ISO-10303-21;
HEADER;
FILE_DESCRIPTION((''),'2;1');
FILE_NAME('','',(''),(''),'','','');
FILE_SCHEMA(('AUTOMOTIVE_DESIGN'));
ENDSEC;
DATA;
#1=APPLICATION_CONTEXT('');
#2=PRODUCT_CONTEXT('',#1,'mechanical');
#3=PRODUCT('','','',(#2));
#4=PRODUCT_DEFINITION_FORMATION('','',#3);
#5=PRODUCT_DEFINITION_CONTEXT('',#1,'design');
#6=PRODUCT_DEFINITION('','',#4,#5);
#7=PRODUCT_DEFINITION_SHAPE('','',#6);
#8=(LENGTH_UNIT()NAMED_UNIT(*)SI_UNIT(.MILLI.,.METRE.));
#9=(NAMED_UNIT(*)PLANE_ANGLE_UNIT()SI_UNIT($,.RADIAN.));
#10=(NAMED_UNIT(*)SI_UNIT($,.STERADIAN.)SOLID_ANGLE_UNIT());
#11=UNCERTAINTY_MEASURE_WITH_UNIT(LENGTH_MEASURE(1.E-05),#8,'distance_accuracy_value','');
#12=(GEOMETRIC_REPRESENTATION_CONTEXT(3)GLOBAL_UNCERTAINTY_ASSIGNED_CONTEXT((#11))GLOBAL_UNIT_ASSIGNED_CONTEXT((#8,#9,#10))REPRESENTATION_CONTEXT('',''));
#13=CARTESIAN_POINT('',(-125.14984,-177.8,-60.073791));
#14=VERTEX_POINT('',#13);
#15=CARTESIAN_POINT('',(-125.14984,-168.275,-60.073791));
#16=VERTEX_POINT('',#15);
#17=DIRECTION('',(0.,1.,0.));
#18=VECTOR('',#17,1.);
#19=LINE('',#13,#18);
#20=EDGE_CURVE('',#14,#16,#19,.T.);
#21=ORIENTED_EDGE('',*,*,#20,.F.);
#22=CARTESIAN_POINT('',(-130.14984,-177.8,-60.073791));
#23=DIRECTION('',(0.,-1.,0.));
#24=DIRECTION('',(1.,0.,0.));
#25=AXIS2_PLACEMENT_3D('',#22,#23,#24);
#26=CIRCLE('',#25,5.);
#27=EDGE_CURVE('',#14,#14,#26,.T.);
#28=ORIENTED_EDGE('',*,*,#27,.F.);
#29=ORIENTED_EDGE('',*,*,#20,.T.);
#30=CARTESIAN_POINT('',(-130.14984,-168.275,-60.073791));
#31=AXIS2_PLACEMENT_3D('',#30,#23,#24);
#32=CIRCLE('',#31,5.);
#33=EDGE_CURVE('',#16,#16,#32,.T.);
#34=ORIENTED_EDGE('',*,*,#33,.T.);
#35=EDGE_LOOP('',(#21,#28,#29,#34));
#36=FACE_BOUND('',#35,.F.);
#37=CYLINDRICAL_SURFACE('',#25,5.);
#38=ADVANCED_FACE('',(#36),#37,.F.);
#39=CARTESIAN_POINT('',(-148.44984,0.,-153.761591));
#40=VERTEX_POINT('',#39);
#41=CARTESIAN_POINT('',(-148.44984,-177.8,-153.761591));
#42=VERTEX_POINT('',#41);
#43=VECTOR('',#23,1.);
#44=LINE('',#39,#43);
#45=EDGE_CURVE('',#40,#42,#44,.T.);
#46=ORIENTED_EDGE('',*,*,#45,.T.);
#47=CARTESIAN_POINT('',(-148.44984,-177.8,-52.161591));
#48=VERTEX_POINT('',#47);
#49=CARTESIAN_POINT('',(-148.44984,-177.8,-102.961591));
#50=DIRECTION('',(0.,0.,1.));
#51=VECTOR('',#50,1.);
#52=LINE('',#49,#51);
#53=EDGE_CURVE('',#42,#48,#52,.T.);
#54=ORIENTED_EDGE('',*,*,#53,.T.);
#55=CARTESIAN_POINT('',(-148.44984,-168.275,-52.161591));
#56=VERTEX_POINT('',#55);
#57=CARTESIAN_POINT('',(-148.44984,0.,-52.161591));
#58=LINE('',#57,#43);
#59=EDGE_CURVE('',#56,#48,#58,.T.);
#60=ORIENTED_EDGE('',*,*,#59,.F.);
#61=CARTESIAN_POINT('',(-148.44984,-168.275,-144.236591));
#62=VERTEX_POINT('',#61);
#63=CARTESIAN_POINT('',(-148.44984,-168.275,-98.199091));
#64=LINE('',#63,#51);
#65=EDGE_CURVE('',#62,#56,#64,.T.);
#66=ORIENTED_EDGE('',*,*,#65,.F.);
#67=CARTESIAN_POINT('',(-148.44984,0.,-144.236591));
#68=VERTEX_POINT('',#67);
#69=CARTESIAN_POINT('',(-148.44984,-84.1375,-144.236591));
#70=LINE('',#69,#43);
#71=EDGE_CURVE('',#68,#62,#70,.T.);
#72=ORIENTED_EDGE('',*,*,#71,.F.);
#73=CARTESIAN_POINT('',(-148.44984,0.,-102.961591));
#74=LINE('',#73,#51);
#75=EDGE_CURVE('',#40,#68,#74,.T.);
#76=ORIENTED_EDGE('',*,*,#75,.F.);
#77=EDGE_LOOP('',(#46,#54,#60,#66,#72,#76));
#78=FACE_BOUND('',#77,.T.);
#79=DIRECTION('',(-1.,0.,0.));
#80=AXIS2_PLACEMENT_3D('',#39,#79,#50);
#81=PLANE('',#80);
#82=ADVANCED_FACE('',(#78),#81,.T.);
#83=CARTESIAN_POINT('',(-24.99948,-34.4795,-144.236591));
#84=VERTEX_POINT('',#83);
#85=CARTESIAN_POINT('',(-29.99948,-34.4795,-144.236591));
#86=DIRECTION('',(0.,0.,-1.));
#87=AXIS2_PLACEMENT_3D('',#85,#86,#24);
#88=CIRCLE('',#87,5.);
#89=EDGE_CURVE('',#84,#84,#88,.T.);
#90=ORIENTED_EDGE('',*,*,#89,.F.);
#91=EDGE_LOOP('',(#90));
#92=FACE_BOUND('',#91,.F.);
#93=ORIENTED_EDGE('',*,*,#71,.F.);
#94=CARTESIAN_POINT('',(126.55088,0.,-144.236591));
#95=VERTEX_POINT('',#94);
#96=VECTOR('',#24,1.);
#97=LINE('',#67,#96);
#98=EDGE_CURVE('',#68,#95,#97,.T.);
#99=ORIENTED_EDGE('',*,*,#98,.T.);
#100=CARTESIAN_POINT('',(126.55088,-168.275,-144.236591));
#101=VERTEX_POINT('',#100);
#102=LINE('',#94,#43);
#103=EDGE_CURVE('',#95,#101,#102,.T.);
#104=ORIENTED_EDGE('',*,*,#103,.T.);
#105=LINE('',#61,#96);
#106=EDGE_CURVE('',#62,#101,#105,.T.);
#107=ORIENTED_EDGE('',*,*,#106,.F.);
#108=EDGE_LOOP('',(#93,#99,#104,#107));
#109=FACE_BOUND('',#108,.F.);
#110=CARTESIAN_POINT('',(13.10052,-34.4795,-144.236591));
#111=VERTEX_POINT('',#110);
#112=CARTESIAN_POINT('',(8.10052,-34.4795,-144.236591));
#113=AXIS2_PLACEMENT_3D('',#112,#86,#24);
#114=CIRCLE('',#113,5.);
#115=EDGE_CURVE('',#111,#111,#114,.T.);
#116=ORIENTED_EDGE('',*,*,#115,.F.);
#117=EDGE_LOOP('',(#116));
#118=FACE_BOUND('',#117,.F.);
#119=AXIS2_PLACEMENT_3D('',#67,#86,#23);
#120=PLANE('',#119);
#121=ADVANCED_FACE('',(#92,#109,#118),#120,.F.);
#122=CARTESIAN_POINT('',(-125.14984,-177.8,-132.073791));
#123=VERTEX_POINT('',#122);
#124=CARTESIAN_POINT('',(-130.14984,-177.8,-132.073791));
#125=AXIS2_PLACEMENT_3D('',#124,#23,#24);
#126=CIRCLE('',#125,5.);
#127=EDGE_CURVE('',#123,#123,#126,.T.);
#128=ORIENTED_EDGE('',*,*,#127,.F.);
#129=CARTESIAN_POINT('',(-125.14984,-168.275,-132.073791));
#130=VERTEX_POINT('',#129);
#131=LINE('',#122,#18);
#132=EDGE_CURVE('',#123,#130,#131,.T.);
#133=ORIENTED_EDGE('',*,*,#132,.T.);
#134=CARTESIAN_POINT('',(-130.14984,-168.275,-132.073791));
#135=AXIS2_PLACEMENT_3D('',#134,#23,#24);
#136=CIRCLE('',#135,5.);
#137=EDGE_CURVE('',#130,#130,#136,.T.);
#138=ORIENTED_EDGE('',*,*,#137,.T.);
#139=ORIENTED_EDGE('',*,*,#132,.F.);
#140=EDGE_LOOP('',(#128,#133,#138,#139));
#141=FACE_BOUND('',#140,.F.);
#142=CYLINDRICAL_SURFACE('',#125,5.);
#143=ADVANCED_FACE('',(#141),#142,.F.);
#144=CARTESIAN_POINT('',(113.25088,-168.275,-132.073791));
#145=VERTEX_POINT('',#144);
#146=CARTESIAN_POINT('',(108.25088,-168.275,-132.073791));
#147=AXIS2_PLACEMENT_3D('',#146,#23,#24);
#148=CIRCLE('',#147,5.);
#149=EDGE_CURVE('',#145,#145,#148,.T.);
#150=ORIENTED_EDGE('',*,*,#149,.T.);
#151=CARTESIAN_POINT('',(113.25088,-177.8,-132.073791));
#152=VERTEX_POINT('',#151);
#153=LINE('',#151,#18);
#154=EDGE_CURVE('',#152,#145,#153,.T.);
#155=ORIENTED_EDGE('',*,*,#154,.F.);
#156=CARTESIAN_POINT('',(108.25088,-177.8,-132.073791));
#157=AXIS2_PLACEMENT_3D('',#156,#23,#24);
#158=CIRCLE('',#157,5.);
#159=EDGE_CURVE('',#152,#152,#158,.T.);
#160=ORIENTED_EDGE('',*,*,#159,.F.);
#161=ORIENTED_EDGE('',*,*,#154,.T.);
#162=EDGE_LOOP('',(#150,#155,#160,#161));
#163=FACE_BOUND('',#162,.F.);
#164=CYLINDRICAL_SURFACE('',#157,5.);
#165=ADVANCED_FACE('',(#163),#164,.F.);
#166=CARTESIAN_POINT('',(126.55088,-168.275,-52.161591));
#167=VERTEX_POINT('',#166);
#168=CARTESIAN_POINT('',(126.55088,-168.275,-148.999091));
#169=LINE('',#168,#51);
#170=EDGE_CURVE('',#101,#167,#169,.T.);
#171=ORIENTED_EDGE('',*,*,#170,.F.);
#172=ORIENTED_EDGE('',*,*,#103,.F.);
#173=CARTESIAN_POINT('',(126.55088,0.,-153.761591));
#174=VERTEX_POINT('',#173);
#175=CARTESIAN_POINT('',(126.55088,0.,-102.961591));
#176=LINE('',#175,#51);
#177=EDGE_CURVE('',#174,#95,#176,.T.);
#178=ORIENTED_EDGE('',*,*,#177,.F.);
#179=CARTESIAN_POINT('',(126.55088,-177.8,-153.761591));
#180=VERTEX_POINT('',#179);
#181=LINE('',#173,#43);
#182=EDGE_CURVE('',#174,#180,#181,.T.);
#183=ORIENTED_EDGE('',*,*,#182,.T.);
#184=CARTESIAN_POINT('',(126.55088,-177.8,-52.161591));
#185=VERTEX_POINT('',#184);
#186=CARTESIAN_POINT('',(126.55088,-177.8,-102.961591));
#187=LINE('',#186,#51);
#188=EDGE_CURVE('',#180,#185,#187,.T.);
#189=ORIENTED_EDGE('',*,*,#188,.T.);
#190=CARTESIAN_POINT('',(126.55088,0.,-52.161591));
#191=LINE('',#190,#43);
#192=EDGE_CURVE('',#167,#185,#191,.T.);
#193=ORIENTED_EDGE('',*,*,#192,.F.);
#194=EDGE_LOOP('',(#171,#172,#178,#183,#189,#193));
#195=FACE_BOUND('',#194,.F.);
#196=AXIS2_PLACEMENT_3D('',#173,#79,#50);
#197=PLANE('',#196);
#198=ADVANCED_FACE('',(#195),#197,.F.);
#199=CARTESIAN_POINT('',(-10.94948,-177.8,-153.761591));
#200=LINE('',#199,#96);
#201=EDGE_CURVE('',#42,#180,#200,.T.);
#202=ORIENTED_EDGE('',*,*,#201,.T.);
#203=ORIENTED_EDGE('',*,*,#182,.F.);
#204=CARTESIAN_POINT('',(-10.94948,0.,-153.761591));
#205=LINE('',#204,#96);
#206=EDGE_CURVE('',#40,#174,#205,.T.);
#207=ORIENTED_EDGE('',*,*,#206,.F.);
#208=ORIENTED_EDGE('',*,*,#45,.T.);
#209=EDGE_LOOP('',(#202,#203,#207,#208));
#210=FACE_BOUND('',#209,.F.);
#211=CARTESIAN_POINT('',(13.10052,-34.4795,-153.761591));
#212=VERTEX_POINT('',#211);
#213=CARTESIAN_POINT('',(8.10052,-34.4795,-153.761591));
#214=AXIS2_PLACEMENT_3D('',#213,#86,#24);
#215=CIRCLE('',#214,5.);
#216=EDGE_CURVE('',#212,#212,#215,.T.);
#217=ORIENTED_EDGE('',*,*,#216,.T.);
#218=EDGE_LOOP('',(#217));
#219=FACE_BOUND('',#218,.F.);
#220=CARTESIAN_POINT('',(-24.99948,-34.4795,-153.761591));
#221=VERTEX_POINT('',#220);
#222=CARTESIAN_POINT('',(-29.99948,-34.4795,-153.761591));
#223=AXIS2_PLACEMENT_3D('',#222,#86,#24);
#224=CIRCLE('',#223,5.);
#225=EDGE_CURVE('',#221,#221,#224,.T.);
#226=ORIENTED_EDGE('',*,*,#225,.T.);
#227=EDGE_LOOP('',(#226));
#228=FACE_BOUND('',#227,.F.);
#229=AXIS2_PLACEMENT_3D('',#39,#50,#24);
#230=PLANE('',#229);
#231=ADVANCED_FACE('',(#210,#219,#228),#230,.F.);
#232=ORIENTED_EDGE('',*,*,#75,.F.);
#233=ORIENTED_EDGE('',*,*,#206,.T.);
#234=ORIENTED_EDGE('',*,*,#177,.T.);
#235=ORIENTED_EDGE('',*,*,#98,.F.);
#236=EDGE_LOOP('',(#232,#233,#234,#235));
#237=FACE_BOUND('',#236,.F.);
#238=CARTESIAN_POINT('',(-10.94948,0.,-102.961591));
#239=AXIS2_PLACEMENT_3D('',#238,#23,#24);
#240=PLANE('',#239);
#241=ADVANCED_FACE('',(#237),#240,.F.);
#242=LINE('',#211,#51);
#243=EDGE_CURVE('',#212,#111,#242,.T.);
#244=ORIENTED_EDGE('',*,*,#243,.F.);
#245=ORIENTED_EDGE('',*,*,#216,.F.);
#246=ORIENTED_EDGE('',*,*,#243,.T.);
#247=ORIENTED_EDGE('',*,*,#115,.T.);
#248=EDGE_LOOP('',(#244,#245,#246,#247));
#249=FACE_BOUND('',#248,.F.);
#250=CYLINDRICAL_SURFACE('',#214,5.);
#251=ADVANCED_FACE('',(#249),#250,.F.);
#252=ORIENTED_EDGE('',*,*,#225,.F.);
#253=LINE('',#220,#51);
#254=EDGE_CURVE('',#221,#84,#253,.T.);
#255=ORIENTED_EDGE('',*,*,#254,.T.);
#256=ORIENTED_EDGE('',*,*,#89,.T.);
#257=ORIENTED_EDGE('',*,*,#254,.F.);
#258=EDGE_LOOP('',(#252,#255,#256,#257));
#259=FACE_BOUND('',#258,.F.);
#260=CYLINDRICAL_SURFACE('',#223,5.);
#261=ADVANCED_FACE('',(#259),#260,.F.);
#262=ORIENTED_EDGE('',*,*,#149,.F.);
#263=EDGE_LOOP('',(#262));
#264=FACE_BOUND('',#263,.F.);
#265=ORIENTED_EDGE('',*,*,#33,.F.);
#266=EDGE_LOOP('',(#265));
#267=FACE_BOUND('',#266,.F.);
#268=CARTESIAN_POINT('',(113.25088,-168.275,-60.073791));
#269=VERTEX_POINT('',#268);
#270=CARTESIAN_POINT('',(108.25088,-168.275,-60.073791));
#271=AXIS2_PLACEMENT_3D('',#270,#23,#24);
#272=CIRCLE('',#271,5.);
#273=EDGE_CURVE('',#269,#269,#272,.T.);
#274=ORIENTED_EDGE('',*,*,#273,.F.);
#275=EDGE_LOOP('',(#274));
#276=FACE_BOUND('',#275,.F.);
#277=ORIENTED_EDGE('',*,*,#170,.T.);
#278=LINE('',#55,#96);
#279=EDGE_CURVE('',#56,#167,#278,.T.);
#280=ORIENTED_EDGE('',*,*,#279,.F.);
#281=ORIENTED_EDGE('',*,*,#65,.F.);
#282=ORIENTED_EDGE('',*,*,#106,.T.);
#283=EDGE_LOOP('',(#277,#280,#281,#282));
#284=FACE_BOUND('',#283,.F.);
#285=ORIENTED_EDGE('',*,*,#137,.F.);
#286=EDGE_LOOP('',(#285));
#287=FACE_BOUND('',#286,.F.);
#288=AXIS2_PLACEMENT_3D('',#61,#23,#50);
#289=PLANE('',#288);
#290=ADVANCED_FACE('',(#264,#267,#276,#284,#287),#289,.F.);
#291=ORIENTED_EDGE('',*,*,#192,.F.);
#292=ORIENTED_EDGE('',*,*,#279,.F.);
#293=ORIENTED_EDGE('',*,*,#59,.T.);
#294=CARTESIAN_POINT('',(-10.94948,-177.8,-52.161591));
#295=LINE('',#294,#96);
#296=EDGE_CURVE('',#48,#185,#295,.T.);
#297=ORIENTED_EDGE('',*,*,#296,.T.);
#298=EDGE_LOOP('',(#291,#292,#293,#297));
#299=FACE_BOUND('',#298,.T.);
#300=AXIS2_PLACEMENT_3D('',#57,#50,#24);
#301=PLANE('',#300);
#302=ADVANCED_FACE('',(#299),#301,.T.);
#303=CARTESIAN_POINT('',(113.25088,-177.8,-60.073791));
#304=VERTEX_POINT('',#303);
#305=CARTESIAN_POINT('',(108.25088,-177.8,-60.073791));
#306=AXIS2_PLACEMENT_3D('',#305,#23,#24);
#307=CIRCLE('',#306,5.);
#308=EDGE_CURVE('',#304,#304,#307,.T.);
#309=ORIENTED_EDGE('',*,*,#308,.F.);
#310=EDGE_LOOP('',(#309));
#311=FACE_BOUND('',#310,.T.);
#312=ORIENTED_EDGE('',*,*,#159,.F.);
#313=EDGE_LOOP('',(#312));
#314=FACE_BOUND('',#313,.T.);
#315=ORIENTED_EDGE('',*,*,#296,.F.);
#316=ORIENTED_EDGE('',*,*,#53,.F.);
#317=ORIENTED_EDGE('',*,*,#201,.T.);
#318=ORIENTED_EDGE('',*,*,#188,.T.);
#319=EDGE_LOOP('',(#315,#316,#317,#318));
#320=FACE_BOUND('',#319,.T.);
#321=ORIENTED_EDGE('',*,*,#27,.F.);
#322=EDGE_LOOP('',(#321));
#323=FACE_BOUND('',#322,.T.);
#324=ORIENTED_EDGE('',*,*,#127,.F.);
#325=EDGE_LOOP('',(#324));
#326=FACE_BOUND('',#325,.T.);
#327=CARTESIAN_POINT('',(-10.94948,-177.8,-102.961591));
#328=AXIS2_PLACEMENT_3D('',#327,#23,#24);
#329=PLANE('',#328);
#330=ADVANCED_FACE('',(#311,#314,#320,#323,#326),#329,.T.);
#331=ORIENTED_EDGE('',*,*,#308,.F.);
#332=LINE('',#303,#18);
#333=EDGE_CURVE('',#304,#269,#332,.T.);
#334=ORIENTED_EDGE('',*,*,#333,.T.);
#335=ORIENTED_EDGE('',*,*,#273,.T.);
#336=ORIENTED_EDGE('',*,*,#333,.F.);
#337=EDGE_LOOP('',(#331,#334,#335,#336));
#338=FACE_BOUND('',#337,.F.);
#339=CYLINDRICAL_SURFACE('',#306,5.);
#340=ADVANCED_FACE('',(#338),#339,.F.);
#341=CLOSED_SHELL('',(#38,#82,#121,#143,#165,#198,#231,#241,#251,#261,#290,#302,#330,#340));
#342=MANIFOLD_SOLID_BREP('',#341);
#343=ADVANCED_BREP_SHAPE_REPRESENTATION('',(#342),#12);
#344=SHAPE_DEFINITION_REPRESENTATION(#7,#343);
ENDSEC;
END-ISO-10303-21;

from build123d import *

# Parameters (mm, degrees)
F0_W     = 275.00072
F0_H     = 101.6
F1_DEPTH = 177.8
F2_R     = 5
F3_DEPTH = 25
F4_W     = 168.275
F4_H     = 92.075
F5_DEPTH = 275.00172
F6_R     = 5
F7_DEPTH = 25.4


with BuildPart() as f1:
    # F0 (on Front) → F1 (new body)
    with BuildSketch(Plane.XZ):
        with Locations((-10.94948, -102.961591)):
            Rectangle(F0_W, F0_H)
    extrude(amount=F1_DEPTH)

    # F2 (on face) → F3 (cut)
    with BuildSketch(Plane.XZ.offset(177.8)):
        with Locations((-130.14984, -60.073791)):
            Circle(F2_R)
        with Locations((-130.14984, -132.073791)):
            Circle(F2_R)
        with Locations((108.25088, -132.073791)):
            Circle(F2_R)
        with Locations((108.25088, -60.073791)):
            Circle(F2_R)
    extrude(amount=-F3_DEPTH, mode=Mode.SUBTRACT)

    # F4 (on face) → F5 (cut, through all)
    with BuildSketch(Plane(origin=(-148.44984, 0, 0), x_dir=(0, -1, 0), z_dir=(-1, 0, 0))):
        with Locations((84.1375, -98.199091)):
            Rectangle(F4_W, F4_H)
    extrude(amount=-F5_DEPTH, mode=Mode.SUBTRACT)

    # F6 (on face) → F7 (cut)
    with BuildSketch(Plane(origin=(0, 0, -153.761591), x_dir=(1, 0, 0), z_dir=(0, 0, -1))):
        with Locations((8.10052, 34.4795)):
            Circle(F6_R)
        with Locations((-29.99948, 34.4795)):
            Circle(F6_R)
    extrude(amount=-F7_DEPTH, mode=Mode.SUBTRACT)


solid = f1.part
